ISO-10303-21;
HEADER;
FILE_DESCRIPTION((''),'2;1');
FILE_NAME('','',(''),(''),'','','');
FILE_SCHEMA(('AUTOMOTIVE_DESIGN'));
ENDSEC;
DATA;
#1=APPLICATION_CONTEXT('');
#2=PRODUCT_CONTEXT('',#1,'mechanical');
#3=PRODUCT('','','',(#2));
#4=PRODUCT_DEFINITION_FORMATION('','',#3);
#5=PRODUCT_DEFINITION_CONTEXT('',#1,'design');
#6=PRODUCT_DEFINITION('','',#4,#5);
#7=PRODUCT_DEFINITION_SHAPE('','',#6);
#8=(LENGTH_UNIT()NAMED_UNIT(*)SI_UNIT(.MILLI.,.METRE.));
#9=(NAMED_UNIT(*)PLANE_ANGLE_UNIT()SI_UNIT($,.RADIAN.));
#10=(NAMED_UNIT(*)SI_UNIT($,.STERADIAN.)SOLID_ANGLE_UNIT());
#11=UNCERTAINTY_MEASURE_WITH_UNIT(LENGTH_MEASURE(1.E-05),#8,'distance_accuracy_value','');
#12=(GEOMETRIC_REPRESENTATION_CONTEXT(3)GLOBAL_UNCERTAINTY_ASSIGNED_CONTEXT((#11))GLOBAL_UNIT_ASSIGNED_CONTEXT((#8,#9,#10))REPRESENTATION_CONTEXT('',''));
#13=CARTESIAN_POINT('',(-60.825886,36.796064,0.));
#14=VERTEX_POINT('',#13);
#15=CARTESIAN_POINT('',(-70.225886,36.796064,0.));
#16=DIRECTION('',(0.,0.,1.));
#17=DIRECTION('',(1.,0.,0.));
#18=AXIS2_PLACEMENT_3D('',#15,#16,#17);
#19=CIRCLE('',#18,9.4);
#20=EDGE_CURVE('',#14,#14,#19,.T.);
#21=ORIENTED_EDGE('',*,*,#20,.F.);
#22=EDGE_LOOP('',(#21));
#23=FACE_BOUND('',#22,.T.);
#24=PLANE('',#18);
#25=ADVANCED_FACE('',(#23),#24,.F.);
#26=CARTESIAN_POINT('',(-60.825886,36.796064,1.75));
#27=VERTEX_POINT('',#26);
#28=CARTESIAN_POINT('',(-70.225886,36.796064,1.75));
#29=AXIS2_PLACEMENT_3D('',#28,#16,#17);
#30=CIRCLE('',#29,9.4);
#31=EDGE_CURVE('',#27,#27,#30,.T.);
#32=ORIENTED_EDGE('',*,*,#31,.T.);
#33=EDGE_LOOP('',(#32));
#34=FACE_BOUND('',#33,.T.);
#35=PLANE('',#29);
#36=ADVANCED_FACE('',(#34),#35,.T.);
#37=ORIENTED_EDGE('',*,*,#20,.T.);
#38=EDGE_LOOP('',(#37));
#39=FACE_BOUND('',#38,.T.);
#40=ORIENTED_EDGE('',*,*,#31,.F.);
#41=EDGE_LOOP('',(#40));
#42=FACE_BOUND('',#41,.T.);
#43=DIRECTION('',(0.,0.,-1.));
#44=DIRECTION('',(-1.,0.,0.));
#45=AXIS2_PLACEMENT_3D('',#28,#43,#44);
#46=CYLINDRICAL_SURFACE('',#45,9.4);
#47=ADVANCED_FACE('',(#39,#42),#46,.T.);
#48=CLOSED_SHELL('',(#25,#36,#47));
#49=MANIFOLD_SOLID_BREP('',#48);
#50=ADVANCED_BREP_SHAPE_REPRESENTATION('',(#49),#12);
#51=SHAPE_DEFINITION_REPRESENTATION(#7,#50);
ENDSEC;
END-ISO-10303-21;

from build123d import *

# Parameters (mm, degrees)
SKETCH1_R           = 9.4
BOSS_EXTRUDE1_DEPTH = 1.75


with BuildPart() as part:
    # Sketch1 → Boss-Extrude1 (new body)
    with BuildSketch(Plane.XY):
        with Locations((-70.225886478, 36.796064436)):
            Circle(SKETCH1_R)
    extrude(amount=BOSS_EXTRUDE1_DEPTH)


solid = part.part
